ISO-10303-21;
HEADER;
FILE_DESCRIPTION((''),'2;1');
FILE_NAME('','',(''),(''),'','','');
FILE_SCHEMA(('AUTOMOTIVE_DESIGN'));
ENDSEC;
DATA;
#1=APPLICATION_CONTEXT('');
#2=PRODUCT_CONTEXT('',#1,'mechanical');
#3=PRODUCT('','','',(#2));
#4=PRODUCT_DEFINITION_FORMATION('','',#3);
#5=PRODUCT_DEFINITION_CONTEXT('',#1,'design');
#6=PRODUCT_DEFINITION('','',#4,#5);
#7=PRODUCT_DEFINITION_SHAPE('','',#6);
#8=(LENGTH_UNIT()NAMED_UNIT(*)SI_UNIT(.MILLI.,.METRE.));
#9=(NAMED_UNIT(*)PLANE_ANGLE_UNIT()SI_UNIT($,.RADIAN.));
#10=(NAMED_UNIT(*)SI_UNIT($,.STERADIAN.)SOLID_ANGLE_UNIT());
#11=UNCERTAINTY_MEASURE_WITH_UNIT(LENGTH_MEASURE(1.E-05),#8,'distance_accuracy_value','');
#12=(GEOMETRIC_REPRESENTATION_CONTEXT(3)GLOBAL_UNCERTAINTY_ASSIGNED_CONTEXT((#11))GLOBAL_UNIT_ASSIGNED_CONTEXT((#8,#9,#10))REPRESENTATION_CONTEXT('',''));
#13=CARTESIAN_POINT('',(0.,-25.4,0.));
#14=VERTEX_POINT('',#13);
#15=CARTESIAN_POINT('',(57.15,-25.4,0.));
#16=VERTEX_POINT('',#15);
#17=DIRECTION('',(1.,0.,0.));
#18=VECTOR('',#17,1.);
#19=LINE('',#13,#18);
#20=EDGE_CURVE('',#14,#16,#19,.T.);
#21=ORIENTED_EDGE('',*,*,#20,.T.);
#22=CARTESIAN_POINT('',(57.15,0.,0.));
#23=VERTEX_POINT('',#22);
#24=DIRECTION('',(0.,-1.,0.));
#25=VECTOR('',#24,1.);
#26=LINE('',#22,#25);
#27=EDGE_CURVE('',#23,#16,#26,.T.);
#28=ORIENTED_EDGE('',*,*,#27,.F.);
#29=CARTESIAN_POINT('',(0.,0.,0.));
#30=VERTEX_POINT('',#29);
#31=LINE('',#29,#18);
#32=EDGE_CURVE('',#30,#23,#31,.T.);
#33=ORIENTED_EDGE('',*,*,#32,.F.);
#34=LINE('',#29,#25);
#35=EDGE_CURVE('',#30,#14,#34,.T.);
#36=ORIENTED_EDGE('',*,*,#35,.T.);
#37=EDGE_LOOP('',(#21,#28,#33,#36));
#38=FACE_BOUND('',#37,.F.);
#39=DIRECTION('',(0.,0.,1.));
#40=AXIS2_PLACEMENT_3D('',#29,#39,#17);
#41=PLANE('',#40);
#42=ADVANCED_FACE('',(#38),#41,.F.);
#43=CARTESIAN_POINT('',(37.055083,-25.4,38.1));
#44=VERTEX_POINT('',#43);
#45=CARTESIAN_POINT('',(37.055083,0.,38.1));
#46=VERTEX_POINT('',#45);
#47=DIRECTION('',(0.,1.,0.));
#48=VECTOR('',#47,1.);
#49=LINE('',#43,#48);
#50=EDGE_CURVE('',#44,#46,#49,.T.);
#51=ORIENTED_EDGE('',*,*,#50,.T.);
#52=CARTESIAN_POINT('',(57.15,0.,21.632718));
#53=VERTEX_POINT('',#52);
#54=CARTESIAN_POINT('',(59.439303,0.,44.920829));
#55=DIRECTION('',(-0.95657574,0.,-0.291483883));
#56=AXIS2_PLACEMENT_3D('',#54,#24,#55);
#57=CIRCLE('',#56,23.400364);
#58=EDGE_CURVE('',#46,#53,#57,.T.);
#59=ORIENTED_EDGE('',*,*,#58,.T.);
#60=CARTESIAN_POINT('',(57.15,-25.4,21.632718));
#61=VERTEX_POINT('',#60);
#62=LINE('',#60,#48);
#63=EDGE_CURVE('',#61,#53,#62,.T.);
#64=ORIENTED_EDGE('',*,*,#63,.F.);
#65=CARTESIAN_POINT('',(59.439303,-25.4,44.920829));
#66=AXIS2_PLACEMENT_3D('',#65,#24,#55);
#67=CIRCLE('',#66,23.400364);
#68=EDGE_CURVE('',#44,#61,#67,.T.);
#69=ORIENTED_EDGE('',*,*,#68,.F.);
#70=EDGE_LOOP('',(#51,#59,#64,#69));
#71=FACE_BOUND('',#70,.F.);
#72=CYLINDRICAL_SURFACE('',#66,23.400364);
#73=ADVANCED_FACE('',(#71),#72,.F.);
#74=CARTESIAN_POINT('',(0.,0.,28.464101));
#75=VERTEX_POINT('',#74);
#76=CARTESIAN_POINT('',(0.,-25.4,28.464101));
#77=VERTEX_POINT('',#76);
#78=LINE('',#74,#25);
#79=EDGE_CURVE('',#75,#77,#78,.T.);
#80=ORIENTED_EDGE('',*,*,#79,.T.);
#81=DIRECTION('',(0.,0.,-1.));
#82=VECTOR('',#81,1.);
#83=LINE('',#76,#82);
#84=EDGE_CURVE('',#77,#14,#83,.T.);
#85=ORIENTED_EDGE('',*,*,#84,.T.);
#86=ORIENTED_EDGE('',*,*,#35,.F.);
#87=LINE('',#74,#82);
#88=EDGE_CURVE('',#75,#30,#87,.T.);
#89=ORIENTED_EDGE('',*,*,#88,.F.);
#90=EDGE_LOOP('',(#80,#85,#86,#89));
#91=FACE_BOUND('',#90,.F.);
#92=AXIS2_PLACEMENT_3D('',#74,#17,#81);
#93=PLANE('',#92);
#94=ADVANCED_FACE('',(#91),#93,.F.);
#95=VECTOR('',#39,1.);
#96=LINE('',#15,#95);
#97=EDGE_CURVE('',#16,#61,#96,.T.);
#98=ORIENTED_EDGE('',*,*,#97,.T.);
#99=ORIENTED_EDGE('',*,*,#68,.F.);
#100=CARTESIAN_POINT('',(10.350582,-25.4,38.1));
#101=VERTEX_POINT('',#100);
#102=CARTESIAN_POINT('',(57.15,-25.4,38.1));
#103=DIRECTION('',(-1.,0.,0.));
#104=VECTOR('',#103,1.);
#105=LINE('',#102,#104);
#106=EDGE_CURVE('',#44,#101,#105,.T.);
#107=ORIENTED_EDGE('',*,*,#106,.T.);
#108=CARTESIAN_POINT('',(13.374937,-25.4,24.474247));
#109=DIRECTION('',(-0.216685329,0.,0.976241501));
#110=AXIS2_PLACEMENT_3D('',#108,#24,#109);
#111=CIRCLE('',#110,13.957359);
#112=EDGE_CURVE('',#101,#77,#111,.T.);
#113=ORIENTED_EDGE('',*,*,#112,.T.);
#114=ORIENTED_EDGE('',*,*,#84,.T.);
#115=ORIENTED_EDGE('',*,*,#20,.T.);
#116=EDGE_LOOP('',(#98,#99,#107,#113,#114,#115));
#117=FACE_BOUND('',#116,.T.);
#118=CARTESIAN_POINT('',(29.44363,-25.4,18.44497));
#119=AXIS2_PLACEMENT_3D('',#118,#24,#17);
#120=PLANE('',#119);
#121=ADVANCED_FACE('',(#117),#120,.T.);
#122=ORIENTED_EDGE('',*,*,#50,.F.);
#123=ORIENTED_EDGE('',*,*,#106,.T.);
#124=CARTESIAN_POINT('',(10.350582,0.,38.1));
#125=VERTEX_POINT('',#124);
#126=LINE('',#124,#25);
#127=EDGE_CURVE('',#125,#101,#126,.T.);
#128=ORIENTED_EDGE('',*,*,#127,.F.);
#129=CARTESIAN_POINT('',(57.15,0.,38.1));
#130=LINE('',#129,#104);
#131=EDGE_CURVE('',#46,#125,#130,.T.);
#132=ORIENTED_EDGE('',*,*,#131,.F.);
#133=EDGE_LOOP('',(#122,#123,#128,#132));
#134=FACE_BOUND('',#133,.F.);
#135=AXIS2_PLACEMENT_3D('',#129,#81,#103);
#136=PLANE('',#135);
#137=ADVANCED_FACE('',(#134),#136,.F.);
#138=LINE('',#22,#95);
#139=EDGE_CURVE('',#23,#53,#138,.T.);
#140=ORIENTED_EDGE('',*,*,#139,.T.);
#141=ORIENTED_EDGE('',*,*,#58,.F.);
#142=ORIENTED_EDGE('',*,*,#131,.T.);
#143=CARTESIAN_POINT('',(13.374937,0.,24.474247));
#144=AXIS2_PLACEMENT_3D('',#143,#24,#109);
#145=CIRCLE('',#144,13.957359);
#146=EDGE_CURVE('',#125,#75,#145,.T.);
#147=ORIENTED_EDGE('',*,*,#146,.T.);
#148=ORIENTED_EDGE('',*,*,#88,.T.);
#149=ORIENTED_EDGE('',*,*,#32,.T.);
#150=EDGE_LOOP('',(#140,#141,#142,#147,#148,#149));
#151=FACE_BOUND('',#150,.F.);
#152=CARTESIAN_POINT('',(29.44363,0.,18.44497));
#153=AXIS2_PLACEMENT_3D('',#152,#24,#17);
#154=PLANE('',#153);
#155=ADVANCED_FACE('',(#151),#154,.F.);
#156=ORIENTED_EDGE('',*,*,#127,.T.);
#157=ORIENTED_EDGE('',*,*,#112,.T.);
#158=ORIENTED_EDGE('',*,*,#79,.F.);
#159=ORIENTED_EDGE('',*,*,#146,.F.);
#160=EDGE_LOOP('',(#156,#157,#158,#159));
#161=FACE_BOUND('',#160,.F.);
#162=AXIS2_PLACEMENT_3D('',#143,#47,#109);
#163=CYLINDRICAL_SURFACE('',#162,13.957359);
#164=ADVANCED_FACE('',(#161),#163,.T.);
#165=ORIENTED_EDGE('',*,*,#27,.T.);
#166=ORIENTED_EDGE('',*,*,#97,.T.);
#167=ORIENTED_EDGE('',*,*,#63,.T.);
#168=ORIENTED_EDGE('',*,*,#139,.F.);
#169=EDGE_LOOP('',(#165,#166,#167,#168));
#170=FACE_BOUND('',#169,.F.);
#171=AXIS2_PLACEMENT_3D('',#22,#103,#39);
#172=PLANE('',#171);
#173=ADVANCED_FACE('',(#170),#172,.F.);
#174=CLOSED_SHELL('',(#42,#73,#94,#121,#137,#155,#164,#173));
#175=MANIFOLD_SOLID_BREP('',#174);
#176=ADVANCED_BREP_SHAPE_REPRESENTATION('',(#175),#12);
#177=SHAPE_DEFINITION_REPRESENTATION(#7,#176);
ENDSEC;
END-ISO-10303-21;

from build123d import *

# Parameters (mm, degrees)
F1_DEPTH = 25.4
F3_DEPTH = 25.4


with BuildPart() as f1:
    # F0 (on Front) → F1 (new body)
    with BuildSketch(Plane.XZ):
        with BuildLine():
            ThreePointArc((10.350582, 38.1), (3.864583, 34.689972), (0, 28.464101))
            Line((0, 28.464101), (0, 0))
            Line((0, 0), (57.15, 0))
            Line((57.15, 0), (57.15, 38.1))
            Line((57.15, 38.1), (10.350582, 38.1))
        make_face()
    extrude(amount=F1_DEPTH)

    # F2 (on face) → F3 (cut)
    with BuildSketch(Plane.XZ.offset(25.4)):
        with BuildLine():
            Line((57.15, 38.1), (37.055083, 38.1))
            ThreePointArc((37.055083, 38.1), (44.607293, 26.821423), (57.15, 21.632718))
            Line((57.15, 21.632718), (57.15, 38.1))
        make_face()
    extrude(amount=-F3_DEPTH, mode=Mode.SUBTRACT)


solid = f1.part
